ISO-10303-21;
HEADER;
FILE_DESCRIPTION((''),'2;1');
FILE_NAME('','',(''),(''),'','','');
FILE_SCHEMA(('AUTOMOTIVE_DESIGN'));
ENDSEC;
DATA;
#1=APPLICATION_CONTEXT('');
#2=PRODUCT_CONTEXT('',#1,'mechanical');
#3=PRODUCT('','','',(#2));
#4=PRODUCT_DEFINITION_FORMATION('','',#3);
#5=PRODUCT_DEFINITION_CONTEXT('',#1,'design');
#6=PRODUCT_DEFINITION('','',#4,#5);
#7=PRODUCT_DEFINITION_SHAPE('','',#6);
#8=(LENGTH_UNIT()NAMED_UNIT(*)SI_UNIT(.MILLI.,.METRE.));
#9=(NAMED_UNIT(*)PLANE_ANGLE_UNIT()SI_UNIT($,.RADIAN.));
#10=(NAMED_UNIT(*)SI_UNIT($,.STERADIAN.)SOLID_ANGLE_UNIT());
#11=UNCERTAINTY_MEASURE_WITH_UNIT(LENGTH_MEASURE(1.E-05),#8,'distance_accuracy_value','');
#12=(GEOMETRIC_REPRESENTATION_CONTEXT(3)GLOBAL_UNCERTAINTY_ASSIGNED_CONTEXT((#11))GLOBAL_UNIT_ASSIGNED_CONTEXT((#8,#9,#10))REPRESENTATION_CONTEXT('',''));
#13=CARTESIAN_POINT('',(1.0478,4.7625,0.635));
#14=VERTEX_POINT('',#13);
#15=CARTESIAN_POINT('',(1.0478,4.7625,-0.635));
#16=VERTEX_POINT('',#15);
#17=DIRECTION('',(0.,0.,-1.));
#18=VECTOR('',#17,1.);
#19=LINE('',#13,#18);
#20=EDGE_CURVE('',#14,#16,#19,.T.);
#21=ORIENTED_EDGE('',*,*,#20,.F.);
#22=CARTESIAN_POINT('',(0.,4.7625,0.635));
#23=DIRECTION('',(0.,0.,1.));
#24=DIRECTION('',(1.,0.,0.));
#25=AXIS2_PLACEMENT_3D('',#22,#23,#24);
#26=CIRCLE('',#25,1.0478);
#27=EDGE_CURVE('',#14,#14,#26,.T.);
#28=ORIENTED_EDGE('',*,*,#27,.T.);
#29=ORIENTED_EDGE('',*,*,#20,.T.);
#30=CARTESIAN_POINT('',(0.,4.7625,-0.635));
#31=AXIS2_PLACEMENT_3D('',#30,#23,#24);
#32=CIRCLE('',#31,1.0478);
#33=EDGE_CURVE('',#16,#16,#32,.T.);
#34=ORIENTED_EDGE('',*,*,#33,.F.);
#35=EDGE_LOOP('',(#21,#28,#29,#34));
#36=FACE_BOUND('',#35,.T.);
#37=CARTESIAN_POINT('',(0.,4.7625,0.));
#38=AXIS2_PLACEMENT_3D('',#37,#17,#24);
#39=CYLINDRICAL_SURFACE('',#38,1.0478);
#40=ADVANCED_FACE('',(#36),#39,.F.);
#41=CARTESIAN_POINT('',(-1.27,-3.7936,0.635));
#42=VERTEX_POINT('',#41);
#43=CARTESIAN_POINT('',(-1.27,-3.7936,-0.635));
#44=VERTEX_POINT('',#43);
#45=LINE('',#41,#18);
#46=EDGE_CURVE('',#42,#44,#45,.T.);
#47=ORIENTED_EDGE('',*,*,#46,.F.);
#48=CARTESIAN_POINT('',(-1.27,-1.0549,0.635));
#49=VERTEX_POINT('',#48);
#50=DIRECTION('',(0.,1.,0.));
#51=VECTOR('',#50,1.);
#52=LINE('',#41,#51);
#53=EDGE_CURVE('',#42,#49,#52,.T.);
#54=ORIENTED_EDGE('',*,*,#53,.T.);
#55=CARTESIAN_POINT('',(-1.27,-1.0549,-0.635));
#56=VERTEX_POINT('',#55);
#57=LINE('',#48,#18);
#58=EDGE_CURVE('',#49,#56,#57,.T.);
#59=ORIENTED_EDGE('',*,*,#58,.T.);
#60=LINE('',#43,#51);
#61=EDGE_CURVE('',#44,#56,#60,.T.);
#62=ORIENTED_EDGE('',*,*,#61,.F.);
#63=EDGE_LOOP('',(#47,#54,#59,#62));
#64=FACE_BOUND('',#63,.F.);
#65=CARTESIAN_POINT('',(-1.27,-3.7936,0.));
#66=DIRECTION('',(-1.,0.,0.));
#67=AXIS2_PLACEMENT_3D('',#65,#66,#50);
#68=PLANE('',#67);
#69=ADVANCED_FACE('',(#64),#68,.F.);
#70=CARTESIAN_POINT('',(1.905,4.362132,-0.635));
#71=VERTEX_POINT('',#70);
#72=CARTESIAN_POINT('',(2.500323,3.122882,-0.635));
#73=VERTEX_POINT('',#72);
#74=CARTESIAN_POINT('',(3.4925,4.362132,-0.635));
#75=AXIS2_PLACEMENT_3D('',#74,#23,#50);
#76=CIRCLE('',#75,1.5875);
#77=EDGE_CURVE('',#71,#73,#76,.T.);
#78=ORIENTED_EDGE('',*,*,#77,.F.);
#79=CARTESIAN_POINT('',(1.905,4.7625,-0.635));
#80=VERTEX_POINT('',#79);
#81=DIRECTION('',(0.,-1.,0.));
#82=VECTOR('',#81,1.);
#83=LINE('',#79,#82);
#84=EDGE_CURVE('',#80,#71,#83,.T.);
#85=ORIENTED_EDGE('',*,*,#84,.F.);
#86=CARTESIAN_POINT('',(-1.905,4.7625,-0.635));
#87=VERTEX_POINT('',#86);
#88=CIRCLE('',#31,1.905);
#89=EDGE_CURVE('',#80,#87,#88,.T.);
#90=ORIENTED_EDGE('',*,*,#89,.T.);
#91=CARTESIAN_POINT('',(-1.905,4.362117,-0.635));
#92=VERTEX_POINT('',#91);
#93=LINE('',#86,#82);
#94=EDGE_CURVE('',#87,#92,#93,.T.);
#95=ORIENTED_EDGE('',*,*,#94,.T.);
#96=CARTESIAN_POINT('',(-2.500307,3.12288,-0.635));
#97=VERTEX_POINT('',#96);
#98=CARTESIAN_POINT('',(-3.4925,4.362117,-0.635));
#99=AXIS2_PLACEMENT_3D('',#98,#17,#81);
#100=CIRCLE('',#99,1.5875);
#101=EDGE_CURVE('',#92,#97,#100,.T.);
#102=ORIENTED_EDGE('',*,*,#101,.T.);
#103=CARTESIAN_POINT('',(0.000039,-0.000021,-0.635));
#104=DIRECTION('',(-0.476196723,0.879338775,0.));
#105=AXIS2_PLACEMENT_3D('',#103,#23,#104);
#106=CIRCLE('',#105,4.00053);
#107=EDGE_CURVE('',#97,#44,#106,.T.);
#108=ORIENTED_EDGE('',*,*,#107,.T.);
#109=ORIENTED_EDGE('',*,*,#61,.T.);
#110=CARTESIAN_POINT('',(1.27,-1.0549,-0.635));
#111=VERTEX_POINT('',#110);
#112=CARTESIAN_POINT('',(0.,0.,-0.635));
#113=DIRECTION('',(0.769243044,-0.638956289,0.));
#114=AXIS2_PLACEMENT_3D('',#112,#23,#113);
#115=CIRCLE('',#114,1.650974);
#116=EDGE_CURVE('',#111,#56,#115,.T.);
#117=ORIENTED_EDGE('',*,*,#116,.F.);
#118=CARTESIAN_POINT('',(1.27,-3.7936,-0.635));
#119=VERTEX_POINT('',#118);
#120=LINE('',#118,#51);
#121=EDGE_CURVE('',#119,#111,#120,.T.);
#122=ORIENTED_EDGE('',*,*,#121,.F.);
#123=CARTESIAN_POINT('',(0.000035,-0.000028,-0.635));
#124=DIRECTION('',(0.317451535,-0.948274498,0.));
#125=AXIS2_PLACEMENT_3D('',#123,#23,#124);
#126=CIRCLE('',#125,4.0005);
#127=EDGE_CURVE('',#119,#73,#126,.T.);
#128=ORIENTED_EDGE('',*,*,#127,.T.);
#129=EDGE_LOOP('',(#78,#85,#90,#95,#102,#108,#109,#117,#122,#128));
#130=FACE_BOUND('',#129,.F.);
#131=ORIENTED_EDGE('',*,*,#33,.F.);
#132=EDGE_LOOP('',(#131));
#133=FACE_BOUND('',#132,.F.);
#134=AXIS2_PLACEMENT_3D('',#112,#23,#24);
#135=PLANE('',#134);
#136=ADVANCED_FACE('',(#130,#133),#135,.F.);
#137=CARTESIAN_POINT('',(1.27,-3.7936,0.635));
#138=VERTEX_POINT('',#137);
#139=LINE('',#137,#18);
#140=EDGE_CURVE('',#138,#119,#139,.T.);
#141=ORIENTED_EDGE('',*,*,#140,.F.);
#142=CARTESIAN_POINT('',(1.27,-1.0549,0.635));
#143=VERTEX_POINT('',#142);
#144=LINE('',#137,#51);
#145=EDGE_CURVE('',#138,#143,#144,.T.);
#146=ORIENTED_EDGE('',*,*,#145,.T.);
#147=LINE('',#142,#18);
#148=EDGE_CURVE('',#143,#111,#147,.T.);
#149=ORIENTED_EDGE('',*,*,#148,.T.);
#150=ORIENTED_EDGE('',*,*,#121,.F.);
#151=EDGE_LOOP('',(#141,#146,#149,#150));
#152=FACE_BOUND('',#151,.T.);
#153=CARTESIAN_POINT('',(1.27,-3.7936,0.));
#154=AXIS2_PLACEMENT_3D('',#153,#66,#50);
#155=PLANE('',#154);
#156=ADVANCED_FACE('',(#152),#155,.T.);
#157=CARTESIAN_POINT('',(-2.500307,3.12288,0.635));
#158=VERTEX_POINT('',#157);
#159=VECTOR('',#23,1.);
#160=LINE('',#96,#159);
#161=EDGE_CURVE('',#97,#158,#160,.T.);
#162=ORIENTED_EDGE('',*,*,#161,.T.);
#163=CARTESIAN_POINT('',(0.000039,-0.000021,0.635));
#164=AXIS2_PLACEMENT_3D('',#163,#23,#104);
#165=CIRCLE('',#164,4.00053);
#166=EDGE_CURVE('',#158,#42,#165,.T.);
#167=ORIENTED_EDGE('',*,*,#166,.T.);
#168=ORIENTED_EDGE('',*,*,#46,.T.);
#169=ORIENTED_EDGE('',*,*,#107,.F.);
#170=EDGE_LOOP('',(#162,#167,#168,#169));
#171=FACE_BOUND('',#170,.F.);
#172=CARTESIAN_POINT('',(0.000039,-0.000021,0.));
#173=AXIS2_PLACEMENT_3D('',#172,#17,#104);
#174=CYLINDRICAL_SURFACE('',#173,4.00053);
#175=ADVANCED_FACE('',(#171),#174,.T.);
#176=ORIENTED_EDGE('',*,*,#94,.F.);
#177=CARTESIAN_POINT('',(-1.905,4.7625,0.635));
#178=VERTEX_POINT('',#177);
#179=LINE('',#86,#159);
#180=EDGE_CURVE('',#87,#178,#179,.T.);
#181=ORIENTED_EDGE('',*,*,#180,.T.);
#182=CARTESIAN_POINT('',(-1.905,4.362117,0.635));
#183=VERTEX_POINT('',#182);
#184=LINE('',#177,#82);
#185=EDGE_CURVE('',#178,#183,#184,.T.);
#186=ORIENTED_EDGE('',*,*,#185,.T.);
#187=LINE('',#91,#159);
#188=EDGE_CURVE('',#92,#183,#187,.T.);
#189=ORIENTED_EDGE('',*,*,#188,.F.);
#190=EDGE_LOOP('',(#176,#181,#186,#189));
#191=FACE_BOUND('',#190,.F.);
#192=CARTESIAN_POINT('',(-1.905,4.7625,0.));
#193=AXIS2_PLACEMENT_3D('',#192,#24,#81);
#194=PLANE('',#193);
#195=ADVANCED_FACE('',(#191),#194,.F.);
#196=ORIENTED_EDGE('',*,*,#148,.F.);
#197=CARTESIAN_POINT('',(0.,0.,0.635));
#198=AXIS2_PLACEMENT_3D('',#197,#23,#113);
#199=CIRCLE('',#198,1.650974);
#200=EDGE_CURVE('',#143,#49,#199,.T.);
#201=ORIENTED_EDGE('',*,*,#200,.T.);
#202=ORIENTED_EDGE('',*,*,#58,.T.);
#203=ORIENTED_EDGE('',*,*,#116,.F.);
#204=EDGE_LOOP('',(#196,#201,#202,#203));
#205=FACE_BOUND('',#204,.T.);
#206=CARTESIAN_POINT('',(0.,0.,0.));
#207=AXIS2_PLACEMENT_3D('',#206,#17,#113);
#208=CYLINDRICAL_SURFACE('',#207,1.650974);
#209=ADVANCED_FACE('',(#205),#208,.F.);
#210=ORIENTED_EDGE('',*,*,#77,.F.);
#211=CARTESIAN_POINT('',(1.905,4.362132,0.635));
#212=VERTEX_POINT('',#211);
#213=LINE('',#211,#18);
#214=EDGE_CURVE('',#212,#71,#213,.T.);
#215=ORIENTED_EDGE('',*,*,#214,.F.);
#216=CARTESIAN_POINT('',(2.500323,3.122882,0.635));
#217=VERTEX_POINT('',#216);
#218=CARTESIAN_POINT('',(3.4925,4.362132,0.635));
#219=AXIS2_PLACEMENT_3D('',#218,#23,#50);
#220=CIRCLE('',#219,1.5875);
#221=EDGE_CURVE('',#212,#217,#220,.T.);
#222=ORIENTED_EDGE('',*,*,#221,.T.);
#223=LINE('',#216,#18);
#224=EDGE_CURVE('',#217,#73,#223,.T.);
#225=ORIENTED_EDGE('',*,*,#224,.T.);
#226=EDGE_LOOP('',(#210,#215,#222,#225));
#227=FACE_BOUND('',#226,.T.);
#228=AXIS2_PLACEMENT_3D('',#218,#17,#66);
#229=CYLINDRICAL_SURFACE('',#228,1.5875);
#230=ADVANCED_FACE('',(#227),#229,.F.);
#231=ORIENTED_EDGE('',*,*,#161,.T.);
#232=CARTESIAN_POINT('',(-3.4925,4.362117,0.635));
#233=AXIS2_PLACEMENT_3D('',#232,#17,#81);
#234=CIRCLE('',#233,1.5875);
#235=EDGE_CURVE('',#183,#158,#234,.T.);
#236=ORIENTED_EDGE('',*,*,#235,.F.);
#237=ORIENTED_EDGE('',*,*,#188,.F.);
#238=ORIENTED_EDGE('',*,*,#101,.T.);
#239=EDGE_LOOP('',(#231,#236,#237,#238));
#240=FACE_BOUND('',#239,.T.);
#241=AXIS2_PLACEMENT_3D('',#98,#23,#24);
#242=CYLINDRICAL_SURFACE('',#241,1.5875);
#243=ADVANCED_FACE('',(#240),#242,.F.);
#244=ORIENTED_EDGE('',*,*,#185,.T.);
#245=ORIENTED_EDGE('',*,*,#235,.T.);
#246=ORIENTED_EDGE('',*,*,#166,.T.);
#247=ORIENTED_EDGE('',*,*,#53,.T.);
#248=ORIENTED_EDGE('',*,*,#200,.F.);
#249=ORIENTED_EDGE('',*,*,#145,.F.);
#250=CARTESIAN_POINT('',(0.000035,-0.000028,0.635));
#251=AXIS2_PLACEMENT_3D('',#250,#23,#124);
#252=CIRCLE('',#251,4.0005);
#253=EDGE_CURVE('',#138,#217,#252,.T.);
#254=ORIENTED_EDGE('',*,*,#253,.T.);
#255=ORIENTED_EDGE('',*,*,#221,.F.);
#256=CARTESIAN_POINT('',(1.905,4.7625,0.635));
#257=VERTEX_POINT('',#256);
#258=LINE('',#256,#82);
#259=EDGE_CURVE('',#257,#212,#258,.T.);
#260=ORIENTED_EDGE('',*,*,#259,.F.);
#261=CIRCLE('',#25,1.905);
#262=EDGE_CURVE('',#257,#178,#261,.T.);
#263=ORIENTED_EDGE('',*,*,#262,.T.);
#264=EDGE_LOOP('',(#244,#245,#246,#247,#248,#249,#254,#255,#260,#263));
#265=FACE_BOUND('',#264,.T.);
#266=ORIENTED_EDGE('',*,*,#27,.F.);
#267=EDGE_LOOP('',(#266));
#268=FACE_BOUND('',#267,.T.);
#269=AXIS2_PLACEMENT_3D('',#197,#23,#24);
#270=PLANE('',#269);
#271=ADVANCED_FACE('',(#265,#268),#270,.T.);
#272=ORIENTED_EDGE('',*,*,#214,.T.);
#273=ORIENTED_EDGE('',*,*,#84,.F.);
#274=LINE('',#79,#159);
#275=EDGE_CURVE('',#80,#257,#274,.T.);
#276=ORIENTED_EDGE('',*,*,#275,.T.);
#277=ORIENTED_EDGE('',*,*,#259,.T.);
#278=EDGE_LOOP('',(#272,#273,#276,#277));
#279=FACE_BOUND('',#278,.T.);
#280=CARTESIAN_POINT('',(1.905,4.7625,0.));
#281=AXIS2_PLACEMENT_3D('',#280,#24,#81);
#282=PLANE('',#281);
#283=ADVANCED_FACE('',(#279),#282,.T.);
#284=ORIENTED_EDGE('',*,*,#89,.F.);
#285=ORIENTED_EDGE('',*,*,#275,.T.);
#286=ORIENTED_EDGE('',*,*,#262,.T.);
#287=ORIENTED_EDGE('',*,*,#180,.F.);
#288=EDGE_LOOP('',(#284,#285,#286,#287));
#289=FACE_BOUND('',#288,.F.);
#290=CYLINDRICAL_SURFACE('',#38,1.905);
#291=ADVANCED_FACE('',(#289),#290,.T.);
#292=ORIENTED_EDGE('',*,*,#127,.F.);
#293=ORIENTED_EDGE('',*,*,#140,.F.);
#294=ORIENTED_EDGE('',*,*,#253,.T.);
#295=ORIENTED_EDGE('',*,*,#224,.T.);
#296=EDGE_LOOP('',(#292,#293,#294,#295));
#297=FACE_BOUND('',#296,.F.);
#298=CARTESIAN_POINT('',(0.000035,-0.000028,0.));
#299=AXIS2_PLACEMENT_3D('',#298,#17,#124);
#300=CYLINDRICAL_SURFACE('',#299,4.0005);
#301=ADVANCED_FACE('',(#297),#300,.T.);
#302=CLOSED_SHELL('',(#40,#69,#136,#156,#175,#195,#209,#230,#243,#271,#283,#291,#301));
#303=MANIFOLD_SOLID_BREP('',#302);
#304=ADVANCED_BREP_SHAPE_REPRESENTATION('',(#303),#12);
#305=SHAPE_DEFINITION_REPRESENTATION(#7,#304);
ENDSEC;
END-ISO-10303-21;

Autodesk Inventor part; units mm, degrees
ref_plane "YZ Plane" through (0, 0, 0) normal (1, 0, 0) x (0, 1, 0)
ref_plane "XZ Plane" through (0, 0, 0) normal (0, 1, 0) x (-1, 0, 0)
ref_plane "XY Plane" through (0, 0, 0) normal (0, 0, 1) x (1, 0, 0)
sketch "Sketch1" plane through (0, 0, 0) normal (0, 0, 1) x (1, 0, 0)
  circle A0 centre (0, 0) radius 1.651 construction
  circle A1 centre (0, 4.7625) radius 1.0478
  arc A2 (1.905, 4.7625) -> (-1.905, 4.7625) centre (0, 4.7625) ccw
  line L0 (-1.905, 4.7625) -> (-1.905, 3.5178)
  line L1 (1.905, 4.7625) -> (1.905, 3.5178)
  arc A3 (-1.905, 3.5178) -> (-1.27, -3.7936) centre (0, 0) ccw
  line L2 (-1.27, -3.7936) -> (-1.27, -1.0549)
  line L3 (-6.0242, 0) -> (6.0242, 0) construction
  line L4 (0, -6.1357) -> (0, 8.8014) construction
  arc A4 (1.27, -3.7936) -> (1.905, 3.5178) centre (0, 0) ccw
  line L5 (1.27, -3.7936) -> (1.27, -1.0549)
  arc A5 (1.27, -1.0549) -> (-1.27, -1.0549) centre (0, 0) ccw
  dimension "d0" = 3.302
  dimension "d1" = 2.0955
  dimension "d2" = 4.7625
  dimension "d3" = 1.905
  dimension "d4" = 4.0005
  dimension "d5" = 2.54
extrude "Extrusion1" add sketch "Sketch1" along normal mid plane 1.27
fillet "Fillet1" radius 1.5875 2 edges at (1.905, 3.5178, 0) (-1.905, 3.5178, 0)
properties part number "Front Suspension Adjustment Clip"
